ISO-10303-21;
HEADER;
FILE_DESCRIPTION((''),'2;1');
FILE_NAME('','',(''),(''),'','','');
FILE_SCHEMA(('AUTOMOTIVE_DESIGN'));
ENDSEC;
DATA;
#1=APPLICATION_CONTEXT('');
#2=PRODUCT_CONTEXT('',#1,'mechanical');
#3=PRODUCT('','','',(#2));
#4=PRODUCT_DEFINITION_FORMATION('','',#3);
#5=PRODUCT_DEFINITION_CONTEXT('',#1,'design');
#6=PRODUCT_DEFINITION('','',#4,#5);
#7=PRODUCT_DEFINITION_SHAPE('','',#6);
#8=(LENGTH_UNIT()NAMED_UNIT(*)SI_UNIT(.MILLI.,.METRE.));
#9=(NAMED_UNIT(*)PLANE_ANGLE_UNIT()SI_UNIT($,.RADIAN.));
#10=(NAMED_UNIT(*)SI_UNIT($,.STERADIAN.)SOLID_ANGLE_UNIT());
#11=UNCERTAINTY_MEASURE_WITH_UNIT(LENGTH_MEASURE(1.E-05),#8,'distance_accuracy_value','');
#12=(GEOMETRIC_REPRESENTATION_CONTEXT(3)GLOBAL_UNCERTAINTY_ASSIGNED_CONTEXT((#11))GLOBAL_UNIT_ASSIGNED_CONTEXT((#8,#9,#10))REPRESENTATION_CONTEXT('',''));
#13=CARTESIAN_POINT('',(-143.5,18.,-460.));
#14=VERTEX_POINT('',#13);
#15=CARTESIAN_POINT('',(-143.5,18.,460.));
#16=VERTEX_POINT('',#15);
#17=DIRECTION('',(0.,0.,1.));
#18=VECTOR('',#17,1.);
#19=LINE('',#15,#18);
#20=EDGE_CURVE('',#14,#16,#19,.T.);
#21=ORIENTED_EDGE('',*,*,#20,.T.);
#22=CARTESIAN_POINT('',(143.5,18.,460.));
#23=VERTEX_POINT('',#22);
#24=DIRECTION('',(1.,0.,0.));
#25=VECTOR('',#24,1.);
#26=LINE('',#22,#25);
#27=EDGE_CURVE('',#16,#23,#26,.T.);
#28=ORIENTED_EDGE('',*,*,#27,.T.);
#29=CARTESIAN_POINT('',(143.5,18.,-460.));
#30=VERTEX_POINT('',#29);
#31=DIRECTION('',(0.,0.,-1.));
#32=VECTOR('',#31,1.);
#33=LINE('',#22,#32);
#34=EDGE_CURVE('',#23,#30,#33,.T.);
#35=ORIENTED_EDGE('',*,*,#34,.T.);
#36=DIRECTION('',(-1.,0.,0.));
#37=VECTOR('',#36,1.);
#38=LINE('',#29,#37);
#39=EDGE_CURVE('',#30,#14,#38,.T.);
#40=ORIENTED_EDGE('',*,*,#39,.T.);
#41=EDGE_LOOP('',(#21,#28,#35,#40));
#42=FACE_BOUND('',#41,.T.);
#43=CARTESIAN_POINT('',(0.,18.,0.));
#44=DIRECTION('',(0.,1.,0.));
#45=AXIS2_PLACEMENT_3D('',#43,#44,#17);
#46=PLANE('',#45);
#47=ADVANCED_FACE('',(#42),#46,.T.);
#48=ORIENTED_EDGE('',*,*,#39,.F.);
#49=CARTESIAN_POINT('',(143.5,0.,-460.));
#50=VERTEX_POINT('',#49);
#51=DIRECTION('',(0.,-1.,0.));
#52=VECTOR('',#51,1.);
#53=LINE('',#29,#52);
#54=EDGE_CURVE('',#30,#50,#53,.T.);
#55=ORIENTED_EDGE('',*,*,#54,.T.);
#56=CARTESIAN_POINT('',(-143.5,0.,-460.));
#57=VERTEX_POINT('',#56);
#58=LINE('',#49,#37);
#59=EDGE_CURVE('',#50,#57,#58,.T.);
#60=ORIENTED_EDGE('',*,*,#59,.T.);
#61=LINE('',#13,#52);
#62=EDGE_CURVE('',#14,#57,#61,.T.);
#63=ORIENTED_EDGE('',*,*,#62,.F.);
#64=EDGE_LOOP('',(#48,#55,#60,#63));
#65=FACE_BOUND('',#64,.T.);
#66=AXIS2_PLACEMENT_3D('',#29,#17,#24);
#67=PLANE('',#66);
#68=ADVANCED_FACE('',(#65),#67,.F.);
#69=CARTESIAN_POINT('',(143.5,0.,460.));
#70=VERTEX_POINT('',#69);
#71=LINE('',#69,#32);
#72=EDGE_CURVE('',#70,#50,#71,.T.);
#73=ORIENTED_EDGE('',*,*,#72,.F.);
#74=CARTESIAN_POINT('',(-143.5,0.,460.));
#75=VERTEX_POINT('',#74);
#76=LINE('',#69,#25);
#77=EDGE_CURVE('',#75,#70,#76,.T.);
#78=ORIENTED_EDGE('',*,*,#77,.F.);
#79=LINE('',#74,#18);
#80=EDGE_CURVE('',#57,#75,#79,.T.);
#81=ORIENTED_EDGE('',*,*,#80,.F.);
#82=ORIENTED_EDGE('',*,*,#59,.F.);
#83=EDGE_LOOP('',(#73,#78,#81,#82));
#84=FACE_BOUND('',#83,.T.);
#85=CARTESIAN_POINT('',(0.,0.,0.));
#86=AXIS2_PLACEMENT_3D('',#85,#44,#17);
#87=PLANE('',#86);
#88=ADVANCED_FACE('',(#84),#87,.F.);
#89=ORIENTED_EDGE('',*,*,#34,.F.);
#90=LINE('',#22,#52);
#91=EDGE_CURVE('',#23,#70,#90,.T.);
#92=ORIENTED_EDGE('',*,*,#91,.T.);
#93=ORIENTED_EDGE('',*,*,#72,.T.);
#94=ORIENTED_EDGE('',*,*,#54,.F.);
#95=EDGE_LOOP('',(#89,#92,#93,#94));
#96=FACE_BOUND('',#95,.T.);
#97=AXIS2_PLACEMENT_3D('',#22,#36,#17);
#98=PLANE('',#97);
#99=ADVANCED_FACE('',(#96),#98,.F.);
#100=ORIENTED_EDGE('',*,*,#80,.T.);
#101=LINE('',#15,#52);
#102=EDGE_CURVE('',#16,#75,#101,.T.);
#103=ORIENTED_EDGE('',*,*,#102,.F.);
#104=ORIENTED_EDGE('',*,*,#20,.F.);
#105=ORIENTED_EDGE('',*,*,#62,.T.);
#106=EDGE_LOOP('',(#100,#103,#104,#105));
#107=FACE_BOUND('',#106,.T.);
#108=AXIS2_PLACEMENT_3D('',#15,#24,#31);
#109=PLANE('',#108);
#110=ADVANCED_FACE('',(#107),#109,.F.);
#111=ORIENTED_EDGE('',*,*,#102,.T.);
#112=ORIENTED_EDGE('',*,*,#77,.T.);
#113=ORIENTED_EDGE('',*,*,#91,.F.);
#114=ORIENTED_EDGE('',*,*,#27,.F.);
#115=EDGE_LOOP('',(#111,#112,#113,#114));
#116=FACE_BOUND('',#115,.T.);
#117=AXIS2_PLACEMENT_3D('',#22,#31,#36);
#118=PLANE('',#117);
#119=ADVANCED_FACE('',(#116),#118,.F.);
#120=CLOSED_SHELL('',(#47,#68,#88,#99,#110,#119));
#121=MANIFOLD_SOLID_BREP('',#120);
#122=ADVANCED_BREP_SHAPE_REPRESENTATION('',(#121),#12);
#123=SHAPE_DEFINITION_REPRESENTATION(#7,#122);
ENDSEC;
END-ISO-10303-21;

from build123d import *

# Parameters (mm, degrees)
SKETCH_1_W      = 287
SKETCH_1_H      = 920
EXTRUDE_1_DEPTH = 18


with BuildPart() as part:
    # Эскиз1 → Бобышка-Вытянуть1 (new body)
    with BuildSketch(Plane(origin=(0, 0, 0), x_dir=(1, 0, 0), z_dir=(0, 1, 0))):
        Rectangle(SKETCH_1_W, SKETCH_1_H)
    extrude(amount=EXTRUDE_1_DEPTH)


solid = part.part
